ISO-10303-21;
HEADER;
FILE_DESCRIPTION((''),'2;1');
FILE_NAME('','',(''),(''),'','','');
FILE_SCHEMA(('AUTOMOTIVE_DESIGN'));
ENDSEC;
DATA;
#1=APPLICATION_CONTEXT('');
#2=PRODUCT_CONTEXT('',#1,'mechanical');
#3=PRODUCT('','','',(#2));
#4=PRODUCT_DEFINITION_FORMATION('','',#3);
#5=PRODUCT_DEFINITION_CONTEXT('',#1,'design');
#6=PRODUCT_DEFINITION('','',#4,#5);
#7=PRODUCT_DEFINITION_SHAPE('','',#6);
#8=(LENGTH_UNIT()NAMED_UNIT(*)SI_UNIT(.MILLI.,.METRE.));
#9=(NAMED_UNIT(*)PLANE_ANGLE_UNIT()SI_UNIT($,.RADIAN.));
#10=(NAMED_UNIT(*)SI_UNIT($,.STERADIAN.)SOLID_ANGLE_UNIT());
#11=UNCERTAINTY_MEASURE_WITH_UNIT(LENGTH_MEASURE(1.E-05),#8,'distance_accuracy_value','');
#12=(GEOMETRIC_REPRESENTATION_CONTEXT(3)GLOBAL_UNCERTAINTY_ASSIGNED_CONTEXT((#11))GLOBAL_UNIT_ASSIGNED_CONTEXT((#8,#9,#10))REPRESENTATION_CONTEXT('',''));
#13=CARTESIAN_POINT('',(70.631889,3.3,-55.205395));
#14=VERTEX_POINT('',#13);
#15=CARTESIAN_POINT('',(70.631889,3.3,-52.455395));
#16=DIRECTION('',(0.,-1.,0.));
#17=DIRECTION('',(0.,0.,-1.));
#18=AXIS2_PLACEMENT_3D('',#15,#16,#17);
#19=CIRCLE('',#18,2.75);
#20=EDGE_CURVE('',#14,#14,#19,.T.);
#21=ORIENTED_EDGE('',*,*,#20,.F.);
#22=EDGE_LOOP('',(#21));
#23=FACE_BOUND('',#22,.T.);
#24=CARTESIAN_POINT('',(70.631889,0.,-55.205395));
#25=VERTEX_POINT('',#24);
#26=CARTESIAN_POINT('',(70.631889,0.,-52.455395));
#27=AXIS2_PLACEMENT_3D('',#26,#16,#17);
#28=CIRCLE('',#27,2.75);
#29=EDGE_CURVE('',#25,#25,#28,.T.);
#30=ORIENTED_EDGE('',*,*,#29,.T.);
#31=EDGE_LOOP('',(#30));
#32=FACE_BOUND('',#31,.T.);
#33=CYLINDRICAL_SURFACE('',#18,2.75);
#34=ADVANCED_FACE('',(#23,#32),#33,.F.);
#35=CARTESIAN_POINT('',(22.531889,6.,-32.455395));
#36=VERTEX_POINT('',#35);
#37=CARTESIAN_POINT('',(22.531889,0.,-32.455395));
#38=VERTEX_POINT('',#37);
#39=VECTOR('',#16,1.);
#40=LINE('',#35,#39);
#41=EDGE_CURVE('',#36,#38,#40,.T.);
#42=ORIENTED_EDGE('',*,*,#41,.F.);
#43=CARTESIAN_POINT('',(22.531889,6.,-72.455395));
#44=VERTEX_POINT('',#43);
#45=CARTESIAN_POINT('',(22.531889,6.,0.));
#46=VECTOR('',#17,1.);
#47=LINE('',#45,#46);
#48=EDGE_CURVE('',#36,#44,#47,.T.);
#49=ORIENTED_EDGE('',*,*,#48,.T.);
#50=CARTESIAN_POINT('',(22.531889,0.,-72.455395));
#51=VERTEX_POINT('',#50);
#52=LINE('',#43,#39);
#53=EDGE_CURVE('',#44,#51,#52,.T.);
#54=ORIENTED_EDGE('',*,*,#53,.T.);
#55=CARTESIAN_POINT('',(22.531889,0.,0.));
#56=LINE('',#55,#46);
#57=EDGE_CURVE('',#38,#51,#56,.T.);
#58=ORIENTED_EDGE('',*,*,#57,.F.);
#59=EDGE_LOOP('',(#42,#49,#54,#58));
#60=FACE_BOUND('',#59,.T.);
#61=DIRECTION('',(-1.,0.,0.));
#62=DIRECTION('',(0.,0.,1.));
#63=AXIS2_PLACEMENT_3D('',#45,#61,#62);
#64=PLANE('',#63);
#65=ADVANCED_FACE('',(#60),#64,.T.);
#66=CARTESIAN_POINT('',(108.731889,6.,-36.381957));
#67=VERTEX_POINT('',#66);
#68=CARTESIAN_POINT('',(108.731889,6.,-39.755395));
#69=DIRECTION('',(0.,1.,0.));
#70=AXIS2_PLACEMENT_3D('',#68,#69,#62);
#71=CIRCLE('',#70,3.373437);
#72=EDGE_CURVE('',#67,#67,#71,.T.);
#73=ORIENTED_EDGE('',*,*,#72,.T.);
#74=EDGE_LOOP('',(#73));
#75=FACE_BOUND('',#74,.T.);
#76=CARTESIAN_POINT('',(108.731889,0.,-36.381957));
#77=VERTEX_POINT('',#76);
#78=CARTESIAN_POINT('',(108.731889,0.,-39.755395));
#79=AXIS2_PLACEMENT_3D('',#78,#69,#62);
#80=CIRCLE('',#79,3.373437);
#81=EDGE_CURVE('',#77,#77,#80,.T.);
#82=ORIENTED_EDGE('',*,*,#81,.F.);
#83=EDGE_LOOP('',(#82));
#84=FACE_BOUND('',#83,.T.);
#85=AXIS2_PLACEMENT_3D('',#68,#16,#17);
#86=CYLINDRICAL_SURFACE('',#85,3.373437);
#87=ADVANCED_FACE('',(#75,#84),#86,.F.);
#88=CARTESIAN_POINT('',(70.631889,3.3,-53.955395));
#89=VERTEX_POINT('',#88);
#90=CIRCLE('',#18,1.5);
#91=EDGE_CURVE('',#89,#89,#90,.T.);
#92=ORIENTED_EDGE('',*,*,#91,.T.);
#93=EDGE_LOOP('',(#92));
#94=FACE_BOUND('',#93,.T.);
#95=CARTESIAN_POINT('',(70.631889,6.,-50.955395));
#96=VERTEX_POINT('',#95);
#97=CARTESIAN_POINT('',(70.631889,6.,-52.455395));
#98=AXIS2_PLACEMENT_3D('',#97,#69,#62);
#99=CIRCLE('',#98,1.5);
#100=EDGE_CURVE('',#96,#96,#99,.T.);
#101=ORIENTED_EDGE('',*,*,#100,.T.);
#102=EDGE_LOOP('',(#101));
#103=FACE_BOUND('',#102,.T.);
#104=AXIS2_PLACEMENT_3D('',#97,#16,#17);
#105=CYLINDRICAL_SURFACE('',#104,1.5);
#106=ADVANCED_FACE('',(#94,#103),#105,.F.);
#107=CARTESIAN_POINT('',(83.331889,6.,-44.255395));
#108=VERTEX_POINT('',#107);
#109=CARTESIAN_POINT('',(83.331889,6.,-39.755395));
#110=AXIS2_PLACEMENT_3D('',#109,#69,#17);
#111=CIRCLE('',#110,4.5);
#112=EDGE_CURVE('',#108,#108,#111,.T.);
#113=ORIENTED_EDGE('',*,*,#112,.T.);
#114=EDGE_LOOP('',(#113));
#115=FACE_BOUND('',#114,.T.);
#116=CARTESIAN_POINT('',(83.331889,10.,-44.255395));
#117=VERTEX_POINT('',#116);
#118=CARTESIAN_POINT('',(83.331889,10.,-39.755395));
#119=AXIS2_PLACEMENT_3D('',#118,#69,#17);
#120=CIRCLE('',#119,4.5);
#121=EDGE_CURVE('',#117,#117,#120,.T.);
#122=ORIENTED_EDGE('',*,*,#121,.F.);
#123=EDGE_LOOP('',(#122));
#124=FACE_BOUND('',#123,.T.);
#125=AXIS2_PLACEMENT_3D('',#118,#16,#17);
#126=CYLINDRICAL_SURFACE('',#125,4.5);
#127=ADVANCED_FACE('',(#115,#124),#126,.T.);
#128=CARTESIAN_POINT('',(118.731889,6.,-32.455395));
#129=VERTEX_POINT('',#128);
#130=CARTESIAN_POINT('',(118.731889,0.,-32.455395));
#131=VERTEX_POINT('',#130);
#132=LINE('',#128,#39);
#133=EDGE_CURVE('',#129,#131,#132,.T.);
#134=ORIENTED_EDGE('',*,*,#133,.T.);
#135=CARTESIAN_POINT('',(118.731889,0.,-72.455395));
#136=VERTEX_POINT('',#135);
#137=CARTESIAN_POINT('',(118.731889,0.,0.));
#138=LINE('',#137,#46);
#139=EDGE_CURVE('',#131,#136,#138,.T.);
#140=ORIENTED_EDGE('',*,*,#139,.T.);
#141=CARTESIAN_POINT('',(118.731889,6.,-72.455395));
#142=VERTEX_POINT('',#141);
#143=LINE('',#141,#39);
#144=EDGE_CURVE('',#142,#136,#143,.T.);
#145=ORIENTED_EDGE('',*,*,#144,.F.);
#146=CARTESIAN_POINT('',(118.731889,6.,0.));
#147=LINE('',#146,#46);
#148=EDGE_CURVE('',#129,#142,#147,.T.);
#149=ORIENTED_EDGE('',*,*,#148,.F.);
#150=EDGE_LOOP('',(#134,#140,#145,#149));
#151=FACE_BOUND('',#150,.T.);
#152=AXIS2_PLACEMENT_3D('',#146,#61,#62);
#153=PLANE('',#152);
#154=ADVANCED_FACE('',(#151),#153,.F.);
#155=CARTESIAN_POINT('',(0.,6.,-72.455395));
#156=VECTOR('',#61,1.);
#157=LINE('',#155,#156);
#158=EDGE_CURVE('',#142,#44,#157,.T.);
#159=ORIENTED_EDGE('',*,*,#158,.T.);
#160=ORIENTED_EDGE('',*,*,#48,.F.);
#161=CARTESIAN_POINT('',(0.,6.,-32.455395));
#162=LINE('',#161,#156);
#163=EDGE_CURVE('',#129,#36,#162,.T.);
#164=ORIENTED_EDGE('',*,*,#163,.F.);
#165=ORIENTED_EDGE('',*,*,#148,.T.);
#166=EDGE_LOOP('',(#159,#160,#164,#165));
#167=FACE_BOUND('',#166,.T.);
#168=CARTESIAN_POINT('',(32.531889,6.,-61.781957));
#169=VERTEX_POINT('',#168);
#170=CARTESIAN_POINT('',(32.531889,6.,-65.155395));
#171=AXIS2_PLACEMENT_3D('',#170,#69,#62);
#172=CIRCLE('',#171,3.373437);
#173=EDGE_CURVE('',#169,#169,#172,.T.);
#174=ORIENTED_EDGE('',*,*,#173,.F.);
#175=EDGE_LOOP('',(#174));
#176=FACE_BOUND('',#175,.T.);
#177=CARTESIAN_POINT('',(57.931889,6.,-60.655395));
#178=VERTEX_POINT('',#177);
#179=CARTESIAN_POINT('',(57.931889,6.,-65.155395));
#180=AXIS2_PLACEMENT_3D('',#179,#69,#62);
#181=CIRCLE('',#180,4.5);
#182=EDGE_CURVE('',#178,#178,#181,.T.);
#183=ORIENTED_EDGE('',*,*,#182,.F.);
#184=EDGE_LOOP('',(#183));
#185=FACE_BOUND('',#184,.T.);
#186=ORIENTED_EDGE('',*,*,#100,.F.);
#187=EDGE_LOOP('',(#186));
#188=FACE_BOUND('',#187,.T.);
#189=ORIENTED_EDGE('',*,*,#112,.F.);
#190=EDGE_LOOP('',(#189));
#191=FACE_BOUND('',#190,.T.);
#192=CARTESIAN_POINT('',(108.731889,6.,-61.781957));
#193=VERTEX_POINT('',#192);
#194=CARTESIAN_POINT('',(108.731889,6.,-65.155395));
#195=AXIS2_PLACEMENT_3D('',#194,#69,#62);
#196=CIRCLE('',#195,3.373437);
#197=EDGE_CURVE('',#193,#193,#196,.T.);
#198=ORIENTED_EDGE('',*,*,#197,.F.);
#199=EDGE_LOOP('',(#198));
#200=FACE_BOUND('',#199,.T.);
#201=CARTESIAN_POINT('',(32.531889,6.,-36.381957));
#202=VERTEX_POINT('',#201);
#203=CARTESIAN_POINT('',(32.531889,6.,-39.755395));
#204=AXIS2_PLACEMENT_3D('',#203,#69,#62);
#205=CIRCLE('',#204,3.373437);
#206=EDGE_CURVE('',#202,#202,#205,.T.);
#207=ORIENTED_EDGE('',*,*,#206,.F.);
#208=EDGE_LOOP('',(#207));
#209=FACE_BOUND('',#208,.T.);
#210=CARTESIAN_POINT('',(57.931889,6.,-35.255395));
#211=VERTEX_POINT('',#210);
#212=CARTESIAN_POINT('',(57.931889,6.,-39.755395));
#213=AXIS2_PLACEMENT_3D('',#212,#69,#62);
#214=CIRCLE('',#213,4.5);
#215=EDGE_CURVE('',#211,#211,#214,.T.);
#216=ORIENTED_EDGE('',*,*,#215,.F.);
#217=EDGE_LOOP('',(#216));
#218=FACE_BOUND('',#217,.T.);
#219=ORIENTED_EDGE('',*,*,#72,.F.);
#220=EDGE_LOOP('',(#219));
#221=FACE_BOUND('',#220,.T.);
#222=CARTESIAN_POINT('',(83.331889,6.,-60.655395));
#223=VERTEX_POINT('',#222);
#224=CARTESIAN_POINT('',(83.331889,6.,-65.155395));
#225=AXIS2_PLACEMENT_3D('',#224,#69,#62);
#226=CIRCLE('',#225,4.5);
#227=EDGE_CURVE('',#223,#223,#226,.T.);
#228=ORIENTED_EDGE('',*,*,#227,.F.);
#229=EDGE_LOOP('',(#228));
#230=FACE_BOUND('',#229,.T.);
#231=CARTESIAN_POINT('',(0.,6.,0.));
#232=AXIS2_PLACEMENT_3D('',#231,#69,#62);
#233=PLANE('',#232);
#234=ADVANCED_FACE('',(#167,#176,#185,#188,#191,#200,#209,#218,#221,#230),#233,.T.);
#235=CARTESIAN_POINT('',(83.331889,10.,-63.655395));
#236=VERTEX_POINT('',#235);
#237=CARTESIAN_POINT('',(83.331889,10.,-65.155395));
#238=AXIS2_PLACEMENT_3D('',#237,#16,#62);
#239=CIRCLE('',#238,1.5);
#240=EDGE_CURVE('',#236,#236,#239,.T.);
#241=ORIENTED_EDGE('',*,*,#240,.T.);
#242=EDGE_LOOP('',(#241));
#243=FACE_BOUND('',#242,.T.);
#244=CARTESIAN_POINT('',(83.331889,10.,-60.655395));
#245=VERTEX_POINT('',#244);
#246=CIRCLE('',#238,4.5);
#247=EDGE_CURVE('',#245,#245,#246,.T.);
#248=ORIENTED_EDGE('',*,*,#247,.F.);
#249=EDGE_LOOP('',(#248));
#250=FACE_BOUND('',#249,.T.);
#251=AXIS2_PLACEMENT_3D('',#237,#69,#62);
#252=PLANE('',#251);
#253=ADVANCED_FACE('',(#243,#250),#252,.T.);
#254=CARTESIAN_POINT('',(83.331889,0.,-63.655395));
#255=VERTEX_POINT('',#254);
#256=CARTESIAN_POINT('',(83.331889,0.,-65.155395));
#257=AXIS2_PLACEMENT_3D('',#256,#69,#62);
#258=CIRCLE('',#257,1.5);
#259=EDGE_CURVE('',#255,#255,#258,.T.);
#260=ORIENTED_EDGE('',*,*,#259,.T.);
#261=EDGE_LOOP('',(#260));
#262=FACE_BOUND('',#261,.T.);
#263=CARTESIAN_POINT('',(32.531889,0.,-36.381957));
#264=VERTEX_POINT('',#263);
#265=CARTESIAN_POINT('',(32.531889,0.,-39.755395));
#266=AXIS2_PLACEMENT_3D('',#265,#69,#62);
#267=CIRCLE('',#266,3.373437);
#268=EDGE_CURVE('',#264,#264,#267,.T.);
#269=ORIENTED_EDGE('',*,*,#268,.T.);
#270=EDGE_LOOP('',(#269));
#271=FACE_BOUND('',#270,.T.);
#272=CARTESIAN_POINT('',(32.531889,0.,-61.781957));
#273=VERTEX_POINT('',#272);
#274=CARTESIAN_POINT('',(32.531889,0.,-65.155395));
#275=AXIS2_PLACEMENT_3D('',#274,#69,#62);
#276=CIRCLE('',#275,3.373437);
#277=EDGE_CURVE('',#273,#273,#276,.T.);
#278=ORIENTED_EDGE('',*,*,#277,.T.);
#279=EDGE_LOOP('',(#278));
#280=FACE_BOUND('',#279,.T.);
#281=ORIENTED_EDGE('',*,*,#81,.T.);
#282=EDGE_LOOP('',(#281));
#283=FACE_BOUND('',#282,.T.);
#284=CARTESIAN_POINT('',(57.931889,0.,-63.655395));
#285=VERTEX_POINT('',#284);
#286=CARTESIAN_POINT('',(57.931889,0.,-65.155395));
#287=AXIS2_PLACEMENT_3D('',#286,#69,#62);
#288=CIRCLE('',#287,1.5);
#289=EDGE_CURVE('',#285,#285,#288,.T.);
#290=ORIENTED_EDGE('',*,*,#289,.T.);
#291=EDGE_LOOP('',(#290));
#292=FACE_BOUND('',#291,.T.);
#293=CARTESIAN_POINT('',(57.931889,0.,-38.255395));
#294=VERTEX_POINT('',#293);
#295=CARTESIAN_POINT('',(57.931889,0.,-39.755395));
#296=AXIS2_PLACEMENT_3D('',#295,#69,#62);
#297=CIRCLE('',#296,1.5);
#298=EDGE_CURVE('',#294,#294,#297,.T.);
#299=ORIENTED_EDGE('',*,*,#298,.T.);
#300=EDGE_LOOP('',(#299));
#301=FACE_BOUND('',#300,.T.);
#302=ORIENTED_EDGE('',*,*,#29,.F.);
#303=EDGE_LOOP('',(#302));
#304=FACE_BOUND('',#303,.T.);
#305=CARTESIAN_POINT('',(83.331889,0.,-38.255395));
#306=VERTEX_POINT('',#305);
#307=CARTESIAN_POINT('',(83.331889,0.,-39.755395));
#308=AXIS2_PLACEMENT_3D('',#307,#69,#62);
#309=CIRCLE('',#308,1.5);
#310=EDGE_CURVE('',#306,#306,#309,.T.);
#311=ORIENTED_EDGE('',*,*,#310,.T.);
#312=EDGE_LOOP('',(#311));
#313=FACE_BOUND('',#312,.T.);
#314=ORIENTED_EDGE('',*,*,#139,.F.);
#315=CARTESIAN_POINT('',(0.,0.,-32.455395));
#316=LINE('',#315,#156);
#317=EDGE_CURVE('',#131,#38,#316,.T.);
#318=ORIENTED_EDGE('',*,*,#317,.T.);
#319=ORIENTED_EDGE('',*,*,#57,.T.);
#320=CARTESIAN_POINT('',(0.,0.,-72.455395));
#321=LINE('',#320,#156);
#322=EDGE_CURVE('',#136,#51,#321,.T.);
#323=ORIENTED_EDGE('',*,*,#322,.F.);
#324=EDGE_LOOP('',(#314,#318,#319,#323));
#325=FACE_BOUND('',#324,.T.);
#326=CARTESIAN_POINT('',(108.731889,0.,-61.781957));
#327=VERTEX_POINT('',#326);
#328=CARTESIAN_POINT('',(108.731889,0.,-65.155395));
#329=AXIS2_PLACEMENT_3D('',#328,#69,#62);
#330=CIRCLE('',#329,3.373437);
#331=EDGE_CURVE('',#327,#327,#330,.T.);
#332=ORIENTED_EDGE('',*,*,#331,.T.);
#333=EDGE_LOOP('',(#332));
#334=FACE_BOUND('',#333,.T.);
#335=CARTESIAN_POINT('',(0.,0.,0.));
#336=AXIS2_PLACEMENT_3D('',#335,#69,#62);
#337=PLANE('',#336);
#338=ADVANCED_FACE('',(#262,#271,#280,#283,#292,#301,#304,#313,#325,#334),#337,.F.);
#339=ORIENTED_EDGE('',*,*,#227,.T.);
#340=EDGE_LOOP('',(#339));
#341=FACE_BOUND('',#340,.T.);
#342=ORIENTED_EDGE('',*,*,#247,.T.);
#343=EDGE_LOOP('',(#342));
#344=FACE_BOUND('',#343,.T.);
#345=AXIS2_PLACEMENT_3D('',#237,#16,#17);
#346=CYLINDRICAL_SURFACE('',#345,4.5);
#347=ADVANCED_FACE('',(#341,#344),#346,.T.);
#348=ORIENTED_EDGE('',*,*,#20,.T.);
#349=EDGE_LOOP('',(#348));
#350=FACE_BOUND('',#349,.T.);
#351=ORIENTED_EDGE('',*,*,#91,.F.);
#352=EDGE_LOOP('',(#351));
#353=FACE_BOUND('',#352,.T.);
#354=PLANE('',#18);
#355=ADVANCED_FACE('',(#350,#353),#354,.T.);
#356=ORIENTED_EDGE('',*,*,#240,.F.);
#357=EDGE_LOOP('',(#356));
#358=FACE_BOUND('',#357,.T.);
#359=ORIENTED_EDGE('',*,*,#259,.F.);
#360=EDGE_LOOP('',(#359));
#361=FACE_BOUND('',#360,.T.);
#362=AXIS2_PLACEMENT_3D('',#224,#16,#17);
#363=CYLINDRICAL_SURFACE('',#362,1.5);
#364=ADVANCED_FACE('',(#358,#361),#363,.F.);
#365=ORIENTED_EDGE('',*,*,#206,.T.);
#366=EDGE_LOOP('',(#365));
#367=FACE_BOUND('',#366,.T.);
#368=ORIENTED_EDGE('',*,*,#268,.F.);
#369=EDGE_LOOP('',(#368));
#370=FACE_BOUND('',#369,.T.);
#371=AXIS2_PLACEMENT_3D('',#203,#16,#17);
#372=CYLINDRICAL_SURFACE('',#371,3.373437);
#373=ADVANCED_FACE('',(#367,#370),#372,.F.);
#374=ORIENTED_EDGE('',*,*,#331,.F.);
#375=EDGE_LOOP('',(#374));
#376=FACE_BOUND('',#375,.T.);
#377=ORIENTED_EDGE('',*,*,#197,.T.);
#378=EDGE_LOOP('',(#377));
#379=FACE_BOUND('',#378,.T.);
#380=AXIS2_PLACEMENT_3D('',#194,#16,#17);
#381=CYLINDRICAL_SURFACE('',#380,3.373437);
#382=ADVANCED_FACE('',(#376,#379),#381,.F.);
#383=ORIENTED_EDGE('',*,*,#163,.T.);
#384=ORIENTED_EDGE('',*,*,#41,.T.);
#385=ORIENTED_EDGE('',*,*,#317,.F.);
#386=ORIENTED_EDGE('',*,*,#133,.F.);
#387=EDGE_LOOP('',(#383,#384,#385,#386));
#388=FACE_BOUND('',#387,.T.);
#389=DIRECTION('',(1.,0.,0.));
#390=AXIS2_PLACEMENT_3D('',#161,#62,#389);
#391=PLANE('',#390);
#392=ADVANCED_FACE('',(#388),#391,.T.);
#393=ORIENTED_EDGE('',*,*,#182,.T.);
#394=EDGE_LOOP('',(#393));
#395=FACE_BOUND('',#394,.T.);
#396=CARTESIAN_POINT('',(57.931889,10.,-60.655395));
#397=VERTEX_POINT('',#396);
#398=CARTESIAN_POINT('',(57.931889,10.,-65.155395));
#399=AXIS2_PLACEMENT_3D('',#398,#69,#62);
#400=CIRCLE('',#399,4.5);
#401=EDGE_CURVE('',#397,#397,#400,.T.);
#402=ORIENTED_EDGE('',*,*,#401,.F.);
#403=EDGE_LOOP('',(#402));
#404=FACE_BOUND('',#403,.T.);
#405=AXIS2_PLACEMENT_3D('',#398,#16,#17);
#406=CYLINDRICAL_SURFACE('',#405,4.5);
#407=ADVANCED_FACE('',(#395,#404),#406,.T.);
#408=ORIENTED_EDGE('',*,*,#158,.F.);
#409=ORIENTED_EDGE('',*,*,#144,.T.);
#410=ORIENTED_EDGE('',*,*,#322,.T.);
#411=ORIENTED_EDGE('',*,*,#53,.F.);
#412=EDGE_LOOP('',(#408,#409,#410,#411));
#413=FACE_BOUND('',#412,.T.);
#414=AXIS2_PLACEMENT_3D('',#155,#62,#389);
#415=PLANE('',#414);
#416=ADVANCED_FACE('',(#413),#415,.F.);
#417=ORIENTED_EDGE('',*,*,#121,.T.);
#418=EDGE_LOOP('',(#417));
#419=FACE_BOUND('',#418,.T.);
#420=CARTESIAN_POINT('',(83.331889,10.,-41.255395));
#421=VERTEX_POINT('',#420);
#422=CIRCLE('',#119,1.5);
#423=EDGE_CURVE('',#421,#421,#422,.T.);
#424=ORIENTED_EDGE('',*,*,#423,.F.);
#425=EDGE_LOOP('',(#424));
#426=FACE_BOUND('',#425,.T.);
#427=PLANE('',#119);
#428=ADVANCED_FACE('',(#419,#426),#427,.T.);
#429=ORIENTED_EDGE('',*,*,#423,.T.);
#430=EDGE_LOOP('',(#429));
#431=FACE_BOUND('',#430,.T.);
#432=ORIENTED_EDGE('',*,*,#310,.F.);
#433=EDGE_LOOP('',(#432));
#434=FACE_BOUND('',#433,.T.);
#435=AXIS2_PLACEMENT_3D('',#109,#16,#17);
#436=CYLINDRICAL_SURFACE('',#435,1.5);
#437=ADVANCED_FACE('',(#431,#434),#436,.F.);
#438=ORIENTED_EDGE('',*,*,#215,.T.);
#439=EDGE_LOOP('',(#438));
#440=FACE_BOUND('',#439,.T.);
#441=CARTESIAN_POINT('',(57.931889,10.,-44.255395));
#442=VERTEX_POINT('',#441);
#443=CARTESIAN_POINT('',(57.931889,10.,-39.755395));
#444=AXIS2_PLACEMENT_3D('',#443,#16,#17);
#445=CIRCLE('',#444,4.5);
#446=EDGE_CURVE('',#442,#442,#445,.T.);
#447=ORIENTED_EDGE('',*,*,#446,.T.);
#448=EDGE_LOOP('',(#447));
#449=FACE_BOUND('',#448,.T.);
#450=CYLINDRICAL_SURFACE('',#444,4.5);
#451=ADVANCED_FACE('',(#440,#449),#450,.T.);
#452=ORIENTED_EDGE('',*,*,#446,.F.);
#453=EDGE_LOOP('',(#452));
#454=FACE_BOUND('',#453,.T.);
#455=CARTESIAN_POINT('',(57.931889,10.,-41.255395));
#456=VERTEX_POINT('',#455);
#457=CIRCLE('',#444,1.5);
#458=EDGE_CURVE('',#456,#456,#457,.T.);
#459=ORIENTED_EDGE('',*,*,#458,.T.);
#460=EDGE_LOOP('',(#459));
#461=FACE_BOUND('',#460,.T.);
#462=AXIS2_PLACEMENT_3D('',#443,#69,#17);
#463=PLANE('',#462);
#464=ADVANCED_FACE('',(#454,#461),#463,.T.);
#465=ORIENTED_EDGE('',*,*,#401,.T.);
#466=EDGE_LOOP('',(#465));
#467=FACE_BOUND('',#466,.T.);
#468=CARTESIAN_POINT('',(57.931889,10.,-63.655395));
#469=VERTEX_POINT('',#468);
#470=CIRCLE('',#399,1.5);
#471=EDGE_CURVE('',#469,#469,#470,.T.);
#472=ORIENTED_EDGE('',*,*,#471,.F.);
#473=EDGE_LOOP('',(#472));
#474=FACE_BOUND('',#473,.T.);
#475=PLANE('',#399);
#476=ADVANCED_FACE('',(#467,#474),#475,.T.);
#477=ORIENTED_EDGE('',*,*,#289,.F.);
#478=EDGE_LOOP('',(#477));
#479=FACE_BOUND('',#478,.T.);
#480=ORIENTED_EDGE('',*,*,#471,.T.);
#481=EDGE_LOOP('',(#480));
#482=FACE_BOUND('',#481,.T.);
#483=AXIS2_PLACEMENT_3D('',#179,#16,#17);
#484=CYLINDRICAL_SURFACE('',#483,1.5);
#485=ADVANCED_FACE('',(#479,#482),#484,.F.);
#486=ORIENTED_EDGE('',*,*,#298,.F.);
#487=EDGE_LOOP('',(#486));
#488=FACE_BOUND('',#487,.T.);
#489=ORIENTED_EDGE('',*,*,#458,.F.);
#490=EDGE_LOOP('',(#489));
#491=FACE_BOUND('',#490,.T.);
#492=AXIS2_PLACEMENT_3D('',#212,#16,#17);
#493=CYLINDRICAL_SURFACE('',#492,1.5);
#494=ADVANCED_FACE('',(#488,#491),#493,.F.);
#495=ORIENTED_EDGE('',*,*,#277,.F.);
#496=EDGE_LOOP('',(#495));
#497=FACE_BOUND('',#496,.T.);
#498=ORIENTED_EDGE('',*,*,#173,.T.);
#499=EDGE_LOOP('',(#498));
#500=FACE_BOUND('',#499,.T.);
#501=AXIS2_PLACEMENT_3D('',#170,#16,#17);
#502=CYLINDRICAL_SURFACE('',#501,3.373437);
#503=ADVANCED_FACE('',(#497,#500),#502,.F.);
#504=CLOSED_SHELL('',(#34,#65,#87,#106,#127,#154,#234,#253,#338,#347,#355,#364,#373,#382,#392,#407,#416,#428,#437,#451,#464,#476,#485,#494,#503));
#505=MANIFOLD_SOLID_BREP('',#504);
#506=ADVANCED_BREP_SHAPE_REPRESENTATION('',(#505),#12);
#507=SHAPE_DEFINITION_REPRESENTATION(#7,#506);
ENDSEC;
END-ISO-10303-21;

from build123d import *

# Parameters (mm, degrees)
SKETCH2_W                 = 96.2
SKETCH2_H                 = 40
SKETCH2_R                 = 1.5
SKETCH2_R_2               = 3.3734375
BOSS_EXTRUDE1_DEPTH       = 6
SKETCH3_R                 = 4.5
SKETCH3_R_2               = 1.5
BOSS_EXTRUDE2_DEPTH       = 4
MIRROR2_COPY_1_SKETCH_R   = 4.5
MIRROR2_COPY_1_SKETCH_R_2 = 1.5
MIRROR2_COPY_1_DEPTH      = 4
SKETCH5_R                 = 2.75
CUT_EXTRUDE1_DEPTH        = 3.3


with BuildPart() as part:
    # Sketch2 → Boss-Extrude1 (new body)
    with BuildSketch(Plane(origin=(0, 0, 0), x_dir=(1, 0, 0), z_dir=(0, 1, 0))):
        with Locations((70.631888672, 52.455394598)):
            Rectangle(SKETCH2_W, SKETCH2_H)
        with Locations((57.931888672, 39.755394598)):
            Circle(SKETCH2_R, mode=Mode.SUBTRACT)
        with Locations((83.331888672, 39.755394598)):
            Circle(SKETCH2_R, mode=Mode.SUBTRACT)
        with Locations((70.631888672, 52.455394598)):
            Circle(SKETCH2_R, mode=Mode.SUBTRACT)
        with Locations((57.931888672, 65.155394598)):
            Circle(SKETCH2_R, mode=Mode.SUBTRACT)
        with Locations((83.331888672, 65.155394598)):
            Circle(SKETCH2_R, mode=Mode.SUBTRACT)
        with Locations((108.731888672, 65.155394598)):
            Circle(SKETCH2_R_2, mode=Mode.SUBTRACT)
        with Locations((108.731888672, 39.755394598)):
            Circle(SKETCH2_R_2, mode=Mode.SUBTRACT)
        with Locations((32.531888672, 65.155394598)):
            Circle(SKETCH2_R_2, mode=Mode.SUBTRACT)
        with Locations((32.531888672, 39.755394598)):
            Circle(SKETCH2_R_2, mode=Mode.SUBTRACT)
    extrude(amount=BOSS_EXTRUDE1_DEPTH)

    # Sketch3 → Boss-Extrude2 (add)
    with BuildSketch(Plane(origin=(0, 6, 0), x_dir=(1, 0, 0), z_dir=(0, 1, 0))):
        with Locations((57.931888672, 65.155394598)):
            Circle(SKETCH3_R)
        with Locations((57.931888672, 65.155394598)):
            Circle(SKETCH3_R_2, mode=Mode.SUBTRACT)
    boss_extrude2 = extrude(amount=BOSS_EXTRUDE2_DEPTH)

    # Mirror1: Boss-Extrude2 across plane
    add(boss_extrude2.mirror(Plane.ZY.offset(-70.631888672)))

    # Mirror2: Boss-Extrude2 across plane
    add(boss_extrude2.mirror(Plane(origin=(0, 0, -52.455394598), x_dir=(1, 0, 0), z_dir=(0, 0, -1))))

    # Mirror2 copy 1 sketch → Mirror2 copy 1 (add)
    with BuildSketch(Plane(origin=(141.263777343, 6, -104.910789197), x_dir=(-1, 0, 0), z_dir=(0, 1, 0))):
        with Locations((57.931888672, 65.155394598)):
            Circle(MIRROR2_COPY_1_SKETCH_R)
        with Locations((57.931888672, 65.155394598)):
            Circle(MIRROR2_COPY_1_SKETCH_R_2, mode=Mode.SUBTRACT)
    extrude(amount=MIRROR2_COPY_1_DEPTH)

    # Sketch5 → Cut-Extrude1 (cut)
    with BuildSketch(Plane.XZ):
        with Locations((70.631888672, -52.455394598)):
            Circle(SKETCH5_R)
    extrude(amount=-CUT_EXTRUDE1_DEPTH, mode=Mode.SUBTRACT)


solid = part.part
